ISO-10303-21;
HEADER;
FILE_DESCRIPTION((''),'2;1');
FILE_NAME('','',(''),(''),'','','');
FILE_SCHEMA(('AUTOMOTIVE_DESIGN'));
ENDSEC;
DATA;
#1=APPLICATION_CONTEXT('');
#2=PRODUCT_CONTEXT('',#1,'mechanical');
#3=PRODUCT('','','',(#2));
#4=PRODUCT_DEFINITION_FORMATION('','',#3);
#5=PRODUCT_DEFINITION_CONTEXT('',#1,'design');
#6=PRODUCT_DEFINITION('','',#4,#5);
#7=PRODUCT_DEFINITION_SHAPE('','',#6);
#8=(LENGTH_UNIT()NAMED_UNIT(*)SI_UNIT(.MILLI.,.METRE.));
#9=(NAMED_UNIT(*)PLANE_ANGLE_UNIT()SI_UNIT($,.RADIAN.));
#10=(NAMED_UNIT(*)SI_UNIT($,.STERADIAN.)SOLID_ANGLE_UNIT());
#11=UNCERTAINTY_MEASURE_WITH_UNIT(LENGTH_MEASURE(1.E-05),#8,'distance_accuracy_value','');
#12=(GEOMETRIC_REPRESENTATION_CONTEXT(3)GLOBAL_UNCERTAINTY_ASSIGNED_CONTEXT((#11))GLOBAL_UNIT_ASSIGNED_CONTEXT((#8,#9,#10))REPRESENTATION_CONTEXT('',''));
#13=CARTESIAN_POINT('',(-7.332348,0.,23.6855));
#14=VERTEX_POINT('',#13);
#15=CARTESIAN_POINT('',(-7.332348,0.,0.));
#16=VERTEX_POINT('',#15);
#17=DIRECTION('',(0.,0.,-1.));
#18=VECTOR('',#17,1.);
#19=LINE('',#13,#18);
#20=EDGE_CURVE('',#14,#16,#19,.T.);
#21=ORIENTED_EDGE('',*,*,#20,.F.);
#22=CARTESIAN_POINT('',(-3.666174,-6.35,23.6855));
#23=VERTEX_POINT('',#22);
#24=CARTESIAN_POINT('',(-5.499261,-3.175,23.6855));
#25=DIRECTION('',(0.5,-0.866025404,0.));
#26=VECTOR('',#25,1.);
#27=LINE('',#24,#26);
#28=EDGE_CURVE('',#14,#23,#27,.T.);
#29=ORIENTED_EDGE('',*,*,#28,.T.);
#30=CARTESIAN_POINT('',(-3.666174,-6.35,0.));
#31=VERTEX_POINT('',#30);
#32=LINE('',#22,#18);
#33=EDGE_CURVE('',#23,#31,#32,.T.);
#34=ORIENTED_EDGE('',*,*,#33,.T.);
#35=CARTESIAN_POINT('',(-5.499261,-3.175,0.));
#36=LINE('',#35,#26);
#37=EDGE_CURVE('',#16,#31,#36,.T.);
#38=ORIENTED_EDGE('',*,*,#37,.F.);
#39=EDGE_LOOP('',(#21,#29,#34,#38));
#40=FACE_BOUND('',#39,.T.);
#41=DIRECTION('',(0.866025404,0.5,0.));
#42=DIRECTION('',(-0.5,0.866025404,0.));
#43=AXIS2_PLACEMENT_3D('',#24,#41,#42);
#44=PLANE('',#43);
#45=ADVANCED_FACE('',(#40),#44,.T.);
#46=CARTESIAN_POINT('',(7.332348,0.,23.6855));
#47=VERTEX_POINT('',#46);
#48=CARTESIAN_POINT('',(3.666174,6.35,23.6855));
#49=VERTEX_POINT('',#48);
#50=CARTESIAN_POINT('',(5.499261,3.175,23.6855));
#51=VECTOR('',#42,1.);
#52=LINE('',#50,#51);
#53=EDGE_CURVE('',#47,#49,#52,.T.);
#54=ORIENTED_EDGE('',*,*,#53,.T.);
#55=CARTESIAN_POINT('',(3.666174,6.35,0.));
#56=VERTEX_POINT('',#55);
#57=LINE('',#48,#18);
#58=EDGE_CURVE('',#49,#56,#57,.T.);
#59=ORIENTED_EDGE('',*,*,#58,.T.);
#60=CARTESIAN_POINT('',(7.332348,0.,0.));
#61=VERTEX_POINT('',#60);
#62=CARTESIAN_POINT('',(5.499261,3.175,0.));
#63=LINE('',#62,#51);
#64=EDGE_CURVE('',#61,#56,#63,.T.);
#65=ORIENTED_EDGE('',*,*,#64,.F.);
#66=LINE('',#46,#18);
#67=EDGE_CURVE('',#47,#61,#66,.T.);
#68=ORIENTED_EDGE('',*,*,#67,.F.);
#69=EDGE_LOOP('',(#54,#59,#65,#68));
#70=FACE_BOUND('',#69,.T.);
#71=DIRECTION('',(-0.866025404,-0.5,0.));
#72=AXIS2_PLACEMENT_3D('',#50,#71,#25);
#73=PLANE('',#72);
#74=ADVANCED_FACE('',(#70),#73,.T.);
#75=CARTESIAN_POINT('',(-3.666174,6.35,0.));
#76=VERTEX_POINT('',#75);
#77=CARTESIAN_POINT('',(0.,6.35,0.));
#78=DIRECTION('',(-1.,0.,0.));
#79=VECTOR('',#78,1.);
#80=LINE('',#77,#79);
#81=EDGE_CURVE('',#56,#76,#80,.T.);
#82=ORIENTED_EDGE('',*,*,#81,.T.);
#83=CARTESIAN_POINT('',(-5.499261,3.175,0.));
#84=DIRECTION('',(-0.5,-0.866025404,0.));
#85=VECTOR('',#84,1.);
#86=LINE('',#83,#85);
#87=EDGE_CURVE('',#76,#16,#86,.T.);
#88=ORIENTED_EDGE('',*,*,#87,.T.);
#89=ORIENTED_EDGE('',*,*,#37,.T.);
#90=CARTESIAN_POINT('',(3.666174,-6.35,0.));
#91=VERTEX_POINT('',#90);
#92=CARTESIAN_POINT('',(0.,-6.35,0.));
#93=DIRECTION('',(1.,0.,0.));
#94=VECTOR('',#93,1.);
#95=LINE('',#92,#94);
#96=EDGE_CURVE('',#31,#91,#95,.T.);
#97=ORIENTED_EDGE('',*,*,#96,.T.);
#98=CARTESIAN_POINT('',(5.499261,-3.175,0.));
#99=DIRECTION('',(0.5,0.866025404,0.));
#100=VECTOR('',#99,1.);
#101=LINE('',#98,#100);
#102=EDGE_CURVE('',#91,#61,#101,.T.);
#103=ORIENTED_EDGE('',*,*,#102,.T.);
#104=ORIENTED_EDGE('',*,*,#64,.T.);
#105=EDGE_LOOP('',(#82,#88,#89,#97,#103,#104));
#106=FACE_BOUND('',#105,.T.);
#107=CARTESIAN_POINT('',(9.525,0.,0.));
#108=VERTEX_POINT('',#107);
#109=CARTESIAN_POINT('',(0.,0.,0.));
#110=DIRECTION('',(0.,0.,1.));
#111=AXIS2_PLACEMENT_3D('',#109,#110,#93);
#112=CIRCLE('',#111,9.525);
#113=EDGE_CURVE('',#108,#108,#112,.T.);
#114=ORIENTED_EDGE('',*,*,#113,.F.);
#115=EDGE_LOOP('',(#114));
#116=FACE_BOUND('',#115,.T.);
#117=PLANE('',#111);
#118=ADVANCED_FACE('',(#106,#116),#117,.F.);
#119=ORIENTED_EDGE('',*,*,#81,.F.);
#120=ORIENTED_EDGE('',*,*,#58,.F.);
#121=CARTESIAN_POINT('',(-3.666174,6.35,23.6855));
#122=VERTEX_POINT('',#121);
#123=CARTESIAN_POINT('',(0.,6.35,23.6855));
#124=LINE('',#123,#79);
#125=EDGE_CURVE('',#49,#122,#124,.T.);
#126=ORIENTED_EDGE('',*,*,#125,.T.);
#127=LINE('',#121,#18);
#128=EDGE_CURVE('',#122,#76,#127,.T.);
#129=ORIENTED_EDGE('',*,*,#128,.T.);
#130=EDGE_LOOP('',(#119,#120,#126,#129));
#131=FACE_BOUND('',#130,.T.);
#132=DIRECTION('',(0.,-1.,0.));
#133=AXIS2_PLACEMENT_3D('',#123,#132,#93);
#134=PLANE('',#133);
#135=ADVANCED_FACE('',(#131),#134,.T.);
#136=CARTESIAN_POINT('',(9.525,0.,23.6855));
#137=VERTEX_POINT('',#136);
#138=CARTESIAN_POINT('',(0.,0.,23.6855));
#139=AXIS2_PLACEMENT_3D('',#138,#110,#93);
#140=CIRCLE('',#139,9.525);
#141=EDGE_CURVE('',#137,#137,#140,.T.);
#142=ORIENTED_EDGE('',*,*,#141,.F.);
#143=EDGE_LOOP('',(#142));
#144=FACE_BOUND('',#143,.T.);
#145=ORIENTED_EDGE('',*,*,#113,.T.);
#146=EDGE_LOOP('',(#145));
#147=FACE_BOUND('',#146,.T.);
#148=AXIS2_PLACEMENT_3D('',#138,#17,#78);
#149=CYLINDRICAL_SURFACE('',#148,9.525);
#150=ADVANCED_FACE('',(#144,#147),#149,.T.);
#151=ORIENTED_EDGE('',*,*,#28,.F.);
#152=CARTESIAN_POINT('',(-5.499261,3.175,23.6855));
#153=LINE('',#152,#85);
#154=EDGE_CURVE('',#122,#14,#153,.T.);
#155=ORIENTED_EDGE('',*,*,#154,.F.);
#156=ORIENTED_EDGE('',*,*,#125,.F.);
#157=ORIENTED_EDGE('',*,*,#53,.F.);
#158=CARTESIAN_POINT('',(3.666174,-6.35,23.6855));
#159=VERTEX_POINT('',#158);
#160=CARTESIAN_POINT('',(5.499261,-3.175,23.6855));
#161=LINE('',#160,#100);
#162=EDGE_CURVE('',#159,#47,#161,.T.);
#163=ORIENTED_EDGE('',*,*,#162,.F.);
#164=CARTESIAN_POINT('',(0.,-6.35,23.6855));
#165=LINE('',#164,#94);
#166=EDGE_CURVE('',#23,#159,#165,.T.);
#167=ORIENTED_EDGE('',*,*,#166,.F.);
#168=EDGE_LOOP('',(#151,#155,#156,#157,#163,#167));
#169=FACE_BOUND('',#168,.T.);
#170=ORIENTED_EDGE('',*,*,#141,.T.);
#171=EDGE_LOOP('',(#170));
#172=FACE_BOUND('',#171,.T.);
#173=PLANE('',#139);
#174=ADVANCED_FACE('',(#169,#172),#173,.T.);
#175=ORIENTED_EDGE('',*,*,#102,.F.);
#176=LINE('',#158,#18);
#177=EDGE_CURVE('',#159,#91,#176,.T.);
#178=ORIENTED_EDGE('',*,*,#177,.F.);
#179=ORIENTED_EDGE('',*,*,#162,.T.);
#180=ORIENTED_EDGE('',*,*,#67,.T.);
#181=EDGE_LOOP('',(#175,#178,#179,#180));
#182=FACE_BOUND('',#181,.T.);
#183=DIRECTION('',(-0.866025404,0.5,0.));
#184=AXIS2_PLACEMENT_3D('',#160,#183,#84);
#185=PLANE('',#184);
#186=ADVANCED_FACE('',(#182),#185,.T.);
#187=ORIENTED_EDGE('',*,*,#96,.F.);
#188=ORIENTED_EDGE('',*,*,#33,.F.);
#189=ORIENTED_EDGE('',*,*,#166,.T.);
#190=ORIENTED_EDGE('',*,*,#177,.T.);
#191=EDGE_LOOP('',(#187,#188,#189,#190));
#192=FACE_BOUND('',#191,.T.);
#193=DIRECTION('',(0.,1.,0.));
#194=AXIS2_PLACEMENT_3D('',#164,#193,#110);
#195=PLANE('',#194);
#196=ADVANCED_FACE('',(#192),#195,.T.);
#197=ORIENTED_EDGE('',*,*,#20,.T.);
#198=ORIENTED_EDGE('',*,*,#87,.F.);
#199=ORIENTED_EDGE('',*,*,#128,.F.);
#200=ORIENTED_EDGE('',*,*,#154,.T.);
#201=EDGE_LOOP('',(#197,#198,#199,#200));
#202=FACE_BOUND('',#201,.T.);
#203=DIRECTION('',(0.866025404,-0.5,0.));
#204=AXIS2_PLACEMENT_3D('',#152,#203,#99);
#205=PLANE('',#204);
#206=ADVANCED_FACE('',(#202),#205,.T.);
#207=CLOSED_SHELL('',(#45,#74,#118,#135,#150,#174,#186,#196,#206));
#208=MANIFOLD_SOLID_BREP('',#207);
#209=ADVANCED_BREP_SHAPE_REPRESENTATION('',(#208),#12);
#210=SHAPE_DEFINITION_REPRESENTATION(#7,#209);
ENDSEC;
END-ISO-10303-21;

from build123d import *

# Parameters (mm, degrees)
SKETCH1_R           = 9.525
BOSS_EXTRUDE1_DEPTH = 23.6855


with BuildPart() as part:
    # Sketch1 → Boss-Extrude1 (new body)
    with BuildSketch(Plane.XY):
        Circle(SKETCH1_R)
        Polygon((7.332348419, 0), (3.666174209, 6.35), (-3.666174209, 6.35), (-7.332348419, 0), (-3.666174209, -6.35), (3.666174209, -6.35), align=None, mode=Mode.SUBTRACT)
    extrude(amount=BOSS_EXTRUDE1_DEPTH)


solid = part.part
